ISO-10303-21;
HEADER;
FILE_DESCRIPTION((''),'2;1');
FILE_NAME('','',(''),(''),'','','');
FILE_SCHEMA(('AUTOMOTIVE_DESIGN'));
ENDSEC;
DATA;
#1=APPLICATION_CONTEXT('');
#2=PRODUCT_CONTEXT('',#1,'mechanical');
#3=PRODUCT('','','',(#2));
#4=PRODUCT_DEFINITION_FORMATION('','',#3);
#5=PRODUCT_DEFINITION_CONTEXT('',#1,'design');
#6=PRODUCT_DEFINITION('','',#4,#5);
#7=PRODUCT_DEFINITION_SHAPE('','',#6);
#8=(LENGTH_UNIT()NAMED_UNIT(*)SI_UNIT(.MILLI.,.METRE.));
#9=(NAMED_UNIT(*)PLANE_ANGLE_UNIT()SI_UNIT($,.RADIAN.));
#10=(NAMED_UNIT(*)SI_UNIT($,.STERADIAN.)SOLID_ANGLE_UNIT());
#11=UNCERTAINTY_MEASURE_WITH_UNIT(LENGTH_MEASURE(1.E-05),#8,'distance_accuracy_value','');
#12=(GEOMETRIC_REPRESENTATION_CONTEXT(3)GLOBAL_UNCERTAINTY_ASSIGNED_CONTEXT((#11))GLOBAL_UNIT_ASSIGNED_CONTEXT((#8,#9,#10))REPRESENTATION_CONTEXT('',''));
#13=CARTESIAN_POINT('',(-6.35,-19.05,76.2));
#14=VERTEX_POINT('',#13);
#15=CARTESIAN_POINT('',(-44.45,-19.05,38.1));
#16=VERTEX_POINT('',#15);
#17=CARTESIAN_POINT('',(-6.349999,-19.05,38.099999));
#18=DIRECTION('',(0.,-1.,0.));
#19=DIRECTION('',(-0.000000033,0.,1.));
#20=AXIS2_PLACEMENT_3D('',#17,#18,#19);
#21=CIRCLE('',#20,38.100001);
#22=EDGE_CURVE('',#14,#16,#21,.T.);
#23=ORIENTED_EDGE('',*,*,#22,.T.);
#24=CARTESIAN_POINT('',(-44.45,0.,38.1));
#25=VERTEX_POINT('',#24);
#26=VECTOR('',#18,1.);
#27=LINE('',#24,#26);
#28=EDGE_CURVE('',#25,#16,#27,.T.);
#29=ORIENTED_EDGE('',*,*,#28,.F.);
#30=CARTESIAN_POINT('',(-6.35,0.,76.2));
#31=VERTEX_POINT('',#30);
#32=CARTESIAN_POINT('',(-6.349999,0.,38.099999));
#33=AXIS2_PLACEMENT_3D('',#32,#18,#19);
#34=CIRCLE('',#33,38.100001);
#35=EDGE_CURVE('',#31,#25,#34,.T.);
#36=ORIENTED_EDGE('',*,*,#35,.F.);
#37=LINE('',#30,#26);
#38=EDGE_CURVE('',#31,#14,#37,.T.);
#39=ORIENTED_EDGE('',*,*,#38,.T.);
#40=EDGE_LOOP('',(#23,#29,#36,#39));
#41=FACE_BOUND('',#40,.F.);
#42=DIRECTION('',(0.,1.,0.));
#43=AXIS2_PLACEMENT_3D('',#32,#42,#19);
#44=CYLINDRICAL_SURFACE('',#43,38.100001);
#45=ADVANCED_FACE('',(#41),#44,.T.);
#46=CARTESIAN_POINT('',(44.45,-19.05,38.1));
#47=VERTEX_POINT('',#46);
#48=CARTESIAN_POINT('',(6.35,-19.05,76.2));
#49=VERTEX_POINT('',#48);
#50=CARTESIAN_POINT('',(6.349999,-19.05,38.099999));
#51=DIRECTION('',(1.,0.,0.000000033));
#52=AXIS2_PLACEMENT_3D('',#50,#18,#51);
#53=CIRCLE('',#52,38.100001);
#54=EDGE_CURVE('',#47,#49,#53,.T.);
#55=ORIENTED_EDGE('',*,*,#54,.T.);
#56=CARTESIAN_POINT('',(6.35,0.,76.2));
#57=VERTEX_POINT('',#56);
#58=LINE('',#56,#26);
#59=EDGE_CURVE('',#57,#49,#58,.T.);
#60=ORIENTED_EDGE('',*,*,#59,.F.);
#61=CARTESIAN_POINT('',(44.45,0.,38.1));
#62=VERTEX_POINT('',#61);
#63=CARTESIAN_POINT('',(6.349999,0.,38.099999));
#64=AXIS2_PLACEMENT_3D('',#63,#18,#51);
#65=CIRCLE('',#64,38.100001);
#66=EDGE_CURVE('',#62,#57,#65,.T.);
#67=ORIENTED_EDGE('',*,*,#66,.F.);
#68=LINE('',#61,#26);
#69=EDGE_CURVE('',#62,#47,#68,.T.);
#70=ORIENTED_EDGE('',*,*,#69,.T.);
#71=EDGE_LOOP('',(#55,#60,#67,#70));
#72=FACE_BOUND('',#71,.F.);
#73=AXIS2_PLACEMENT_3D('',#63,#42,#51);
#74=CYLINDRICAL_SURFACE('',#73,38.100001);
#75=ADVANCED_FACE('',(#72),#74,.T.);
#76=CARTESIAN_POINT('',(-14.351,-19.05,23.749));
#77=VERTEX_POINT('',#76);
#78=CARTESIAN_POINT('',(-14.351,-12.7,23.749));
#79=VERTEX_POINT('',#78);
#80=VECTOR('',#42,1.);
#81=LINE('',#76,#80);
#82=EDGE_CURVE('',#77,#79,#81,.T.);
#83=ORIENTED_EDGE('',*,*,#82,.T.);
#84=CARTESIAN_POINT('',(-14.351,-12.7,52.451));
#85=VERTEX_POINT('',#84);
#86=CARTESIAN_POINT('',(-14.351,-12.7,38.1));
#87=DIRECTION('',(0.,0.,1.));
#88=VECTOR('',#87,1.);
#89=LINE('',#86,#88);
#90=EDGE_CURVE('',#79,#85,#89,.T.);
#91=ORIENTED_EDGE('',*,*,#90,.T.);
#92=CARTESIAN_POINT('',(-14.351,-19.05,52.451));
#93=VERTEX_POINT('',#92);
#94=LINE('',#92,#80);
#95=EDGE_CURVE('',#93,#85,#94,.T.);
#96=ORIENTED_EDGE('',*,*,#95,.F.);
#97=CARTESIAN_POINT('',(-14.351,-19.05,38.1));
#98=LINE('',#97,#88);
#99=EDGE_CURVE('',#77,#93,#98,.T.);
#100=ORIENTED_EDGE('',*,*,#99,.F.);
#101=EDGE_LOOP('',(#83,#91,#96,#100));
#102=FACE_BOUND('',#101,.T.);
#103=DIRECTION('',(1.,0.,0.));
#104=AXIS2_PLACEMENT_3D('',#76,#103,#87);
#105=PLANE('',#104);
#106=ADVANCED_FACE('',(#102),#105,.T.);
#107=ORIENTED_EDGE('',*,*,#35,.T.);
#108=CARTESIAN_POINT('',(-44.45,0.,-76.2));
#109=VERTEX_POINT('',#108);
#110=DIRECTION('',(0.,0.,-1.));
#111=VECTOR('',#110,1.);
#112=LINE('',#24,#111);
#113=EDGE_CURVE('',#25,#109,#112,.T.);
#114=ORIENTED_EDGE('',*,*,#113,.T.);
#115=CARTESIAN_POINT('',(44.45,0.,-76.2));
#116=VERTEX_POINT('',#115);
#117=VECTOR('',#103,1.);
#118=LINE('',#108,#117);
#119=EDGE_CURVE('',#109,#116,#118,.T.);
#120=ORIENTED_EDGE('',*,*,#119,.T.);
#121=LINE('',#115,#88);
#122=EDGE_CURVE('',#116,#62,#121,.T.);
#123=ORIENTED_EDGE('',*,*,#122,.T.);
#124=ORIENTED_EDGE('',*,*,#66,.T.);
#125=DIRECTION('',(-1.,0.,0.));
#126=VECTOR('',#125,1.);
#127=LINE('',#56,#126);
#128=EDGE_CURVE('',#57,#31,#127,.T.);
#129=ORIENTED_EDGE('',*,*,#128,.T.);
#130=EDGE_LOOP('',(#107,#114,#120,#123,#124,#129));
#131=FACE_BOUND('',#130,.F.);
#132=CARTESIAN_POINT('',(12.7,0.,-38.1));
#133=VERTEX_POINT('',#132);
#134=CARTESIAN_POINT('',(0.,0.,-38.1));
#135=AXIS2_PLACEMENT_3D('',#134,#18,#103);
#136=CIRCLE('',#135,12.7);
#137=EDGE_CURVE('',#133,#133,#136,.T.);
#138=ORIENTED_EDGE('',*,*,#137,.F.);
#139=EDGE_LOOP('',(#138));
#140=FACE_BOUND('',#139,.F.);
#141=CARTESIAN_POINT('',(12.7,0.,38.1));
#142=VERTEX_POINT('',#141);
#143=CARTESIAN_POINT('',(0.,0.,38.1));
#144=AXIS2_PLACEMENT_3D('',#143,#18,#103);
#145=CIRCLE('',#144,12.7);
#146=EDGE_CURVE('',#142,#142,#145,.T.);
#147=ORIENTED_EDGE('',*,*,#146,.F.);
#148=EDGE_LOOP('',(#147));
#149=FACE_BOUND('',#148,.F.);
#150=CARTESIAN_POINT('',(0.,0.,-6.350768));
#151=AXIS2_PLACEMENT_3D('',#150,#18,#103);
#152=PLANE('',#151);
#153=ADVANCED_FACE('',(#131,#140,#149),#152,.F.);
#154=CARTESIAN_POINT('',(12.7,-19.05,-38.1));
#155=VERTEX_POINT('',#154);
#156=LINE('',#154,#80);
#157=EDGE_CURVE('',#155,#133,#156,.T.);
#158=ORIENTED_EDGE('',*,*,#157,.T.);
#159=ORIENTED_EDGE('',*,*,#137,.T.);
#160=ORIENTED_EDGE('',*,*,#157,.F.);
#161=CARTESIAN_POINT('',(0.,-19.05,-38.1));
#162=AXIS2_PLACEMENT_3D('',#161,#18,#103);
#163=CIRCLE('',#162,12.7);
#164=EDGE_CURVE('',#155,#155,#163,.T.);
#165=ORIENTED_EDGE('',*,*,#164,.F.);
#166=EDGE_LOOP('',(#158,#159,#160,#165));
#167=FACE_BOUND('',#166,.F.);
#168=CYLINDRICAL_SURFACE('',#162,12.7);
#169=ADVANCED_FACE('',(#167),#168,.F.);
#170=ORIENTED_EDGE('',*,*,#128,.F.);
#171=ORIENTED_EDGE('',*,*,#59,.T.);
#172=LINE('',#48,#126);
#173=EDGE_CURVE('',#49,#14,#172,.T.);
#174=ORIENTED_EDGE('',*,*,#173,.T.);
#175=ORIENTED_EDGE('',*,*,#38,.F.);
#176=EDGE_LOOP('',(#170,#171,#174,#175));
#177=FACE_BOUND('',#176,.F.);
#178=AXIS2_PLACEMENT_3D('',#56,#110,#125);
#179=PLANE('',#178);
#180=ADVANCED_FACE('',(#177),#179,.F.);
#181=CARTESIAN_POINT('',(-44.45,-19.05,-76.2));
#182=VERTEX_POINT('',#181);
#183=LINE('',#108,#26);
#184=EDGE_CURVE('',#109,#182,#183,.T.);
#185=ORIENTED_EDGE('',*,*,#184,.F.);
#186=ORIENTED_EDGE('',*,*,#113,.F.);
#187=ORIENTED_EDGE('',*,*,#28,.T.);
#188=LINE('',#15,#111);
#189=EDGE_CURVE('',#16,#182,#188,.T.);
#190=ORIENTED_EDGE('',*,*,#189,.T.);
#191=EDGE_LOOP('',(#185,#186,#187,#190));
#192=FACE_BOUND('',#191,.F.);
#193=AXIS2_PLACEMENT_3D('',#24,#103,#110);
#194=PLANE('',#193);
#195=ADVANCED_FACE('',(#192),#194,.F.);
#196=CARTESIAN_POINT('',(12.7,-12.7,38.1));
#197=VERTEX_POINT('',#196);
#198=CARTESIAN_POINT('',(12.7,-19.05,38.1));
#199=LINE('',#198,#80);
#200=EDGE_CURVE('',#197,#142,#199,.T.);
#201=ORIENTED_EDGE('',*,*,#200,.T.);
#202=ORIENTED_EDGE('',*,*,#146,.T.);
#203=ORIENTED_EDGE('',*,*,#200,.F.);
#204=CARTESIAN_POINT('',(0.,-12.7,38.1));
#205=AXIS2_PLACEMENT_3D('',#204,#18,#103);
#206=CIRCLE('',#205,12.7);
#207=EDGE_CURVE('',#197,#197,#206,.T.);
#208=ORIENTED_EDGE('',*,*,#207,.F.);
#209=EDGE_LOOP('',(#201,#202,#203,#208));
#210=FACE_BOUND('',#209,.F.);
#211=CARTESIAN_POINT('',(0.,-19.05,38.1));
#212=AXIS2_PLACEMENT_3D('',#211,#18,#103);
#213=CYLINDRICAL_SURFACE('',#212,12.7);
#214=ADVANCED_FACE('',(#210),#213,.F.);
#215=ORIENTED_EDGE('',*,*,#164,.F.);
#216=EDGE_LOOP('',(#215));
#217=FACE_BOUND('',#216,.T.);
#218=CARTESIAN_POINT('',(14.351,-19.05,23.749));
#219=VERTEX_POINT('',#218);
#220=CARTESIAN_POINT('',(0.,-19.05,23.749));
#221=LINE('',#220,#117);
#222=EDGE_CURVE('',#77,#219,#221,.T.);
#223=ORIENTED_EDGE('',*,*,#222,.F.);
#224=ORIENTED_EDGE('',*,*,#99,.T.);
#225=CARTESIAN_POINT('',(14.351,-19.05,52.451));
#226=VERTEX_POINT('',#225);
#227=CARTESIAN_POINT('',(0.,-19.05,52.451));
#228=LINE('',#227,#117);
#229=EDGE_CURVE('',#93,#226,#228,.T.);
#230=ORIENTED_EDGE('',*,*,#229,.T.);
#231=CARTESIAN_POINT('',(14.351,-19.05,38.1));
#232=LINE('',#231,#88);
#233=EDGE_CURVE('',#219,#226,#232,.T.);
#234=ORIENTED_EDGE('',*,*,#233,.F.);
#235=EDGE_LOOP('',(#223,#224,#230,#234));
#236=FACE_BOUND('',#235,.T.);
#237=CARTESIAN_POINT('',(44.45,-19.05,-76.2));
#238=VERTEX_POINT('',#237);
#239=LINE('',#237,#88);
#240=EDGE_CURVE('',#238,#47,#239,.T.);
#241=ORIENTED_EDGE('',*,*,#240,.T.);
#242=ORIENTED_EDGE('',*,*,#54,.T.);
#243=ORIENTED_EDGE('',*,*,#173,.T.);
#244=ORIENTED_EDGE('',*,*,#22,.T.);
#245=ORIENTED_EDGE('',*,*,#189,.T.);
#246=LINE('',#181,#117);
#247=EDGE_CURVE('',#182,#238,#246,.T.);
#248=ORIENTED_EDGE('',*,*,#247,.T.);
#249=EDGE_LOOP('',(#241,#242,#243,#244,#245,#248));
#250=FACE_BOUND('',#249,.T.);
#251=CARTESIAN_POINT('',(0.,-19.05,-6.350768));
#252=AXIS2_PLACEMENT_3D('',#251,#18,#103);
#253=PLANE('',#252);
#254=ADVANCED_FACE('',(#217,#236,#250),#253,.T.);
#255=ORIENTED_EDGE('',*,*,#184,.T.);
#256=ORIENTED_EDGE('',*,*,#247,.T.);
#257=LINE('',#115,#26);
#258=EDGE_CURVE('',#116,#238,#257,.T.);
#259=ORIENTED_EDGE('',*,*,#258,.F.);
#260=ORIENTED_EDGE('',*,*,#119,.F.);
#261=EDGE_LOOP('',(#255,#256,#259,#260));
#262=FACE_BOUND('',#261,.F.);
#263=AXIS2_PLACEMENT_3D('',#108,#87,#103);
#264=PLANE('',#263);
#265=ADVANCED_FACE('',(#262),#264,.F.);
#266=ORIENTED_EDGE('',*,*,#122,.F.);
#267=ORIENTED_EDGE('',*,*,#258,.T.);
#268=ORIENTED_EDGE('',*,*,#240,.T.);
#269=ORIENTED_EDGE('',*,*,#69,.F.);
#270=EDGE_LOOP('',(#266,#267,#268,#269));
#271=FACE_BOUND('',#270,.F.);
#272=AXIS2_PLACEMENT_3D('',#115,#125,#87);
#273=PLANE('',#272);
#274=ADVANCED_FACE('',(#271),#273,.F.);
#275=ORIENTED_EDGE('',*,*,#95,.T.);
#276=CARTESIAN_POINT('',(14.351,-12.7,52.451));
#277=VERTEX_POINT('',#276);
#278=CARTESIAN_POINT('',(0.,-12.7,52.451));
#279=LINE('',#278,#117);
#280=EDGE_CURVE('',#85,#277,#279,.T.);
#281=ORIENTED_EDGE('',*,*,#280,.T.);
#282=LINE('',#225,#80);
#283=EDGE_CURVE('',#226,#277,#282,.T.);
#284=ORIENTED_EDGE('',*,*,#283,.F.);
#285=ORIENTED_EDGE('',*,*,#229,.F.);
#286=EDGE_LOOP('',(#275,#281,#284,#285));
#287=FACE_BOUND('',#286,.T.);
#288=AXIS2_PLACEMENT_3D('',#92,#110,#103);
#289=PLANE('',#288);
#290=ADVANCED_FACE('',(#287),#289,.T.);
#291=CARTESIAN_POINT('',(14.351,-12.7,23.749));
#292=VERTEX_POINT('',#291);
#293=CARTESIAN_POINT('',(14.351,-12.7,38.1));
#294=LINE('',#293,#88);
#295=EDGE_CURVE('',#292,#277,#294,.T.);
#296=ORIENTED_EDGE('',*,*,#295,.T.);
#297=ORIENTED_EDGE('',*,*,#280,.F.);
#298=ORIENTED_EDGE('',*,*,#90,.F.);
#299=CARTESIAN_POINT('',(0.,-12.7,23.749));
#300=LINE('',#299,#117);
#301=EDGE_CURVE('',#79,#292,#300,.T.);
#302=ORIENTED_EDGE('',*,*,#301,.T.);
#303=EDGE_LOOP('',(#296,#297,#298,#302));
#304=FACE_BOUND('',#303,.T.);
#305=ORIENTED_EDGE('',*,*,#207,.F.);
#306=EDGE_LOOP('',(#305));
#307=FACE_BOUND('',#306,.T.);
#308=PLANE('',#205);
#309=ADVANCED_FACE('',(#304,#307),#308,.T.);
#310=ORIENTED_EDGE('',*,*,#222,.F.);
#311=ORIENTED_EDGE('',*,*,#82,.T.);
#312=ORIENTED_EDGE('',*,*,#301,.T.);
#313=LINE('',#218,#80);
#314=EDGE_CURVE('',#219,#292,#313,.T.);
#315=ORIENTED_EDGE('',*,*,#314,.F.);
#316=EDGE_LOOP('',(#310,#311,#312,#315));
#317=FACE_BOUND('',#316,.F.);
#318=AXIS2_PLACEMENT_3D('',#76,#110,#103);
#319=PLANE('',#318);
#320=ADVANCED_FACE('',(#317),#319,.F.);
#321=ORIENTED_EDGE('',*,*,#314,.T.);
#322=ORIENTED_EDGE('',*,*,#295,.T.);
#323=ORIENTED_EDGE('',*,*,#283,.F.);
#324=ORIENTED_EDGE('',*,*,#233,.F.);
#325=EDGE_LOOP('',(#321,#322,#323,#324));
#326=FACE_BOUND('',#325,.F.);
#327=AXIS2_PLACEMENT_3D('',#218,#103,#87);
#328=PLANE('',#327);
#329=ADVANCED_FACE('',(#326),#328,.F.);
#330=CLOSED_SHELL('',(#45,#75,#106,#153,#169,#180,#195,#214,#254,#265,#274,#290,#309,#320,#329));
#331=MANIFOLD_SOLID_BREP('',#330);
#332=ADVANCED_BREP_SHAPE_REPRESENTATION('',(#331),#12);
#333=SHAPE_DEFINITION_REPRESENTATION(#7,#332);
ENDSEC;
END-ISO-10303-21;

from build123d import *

# Parameters (mm, degrees)
F1_DEPTH = 19.05
F2_R     = 12.7
F3_DEPTH = 19.051
F4_W     = 28.702
F4_H     = 28.702
F4_R     = 12.7
F5_DEPTH = 6.35


with BuildPart() as f1:
    # F0 (on Front) → F1 (new body)
    with BuildSketch(Plane.XZ):
        with BuildLine():
            Line((-44.45, 38.1), (-44.45, -76.2))
            Line((-44.45, -76.2), (44.45, -76.2))
            Line((44.45, -76.2), (44.45, 38.1))
            ThreePointArc((44.45, 38.1), (33.290768, 65.040768), (6.35, 76.2))
            Line((6.35, 76.2), (-6.35, 76.2))
            ThreePointArc((-6.35, 76.2), (-33.290768, 65.040768), (-44.45, 38.1))
        make_face()
    extrude(amount=F1_DEPTH)

    # F2 (on face) → F3 (cut, through all)
    with BuildSketch(Plane.XZ.offset(19.05)):
        with Locations((0, -38.1)):
            Circle(F2_R)
        with Locations((0, 38.1)):
            Circle(F2_R)
    extrude(amount=-F3_DEPTH, mode=Mode.SUBTRACT)

    # F4 (on face) → F5 (cut)
    with BuildSketch(Plane.XZ.offset(19.05)):
        with Locations((0, 38.1)):
            Rectangle(F4_W, F4_H)
        with Locations((0, 38.1)):
            Circle(F4_R, mode=Mode.SUBTRACT)
    extrude(amount=-F5_DEPTH, mode=Mode.SUBTRACT)


solid = f1.part
